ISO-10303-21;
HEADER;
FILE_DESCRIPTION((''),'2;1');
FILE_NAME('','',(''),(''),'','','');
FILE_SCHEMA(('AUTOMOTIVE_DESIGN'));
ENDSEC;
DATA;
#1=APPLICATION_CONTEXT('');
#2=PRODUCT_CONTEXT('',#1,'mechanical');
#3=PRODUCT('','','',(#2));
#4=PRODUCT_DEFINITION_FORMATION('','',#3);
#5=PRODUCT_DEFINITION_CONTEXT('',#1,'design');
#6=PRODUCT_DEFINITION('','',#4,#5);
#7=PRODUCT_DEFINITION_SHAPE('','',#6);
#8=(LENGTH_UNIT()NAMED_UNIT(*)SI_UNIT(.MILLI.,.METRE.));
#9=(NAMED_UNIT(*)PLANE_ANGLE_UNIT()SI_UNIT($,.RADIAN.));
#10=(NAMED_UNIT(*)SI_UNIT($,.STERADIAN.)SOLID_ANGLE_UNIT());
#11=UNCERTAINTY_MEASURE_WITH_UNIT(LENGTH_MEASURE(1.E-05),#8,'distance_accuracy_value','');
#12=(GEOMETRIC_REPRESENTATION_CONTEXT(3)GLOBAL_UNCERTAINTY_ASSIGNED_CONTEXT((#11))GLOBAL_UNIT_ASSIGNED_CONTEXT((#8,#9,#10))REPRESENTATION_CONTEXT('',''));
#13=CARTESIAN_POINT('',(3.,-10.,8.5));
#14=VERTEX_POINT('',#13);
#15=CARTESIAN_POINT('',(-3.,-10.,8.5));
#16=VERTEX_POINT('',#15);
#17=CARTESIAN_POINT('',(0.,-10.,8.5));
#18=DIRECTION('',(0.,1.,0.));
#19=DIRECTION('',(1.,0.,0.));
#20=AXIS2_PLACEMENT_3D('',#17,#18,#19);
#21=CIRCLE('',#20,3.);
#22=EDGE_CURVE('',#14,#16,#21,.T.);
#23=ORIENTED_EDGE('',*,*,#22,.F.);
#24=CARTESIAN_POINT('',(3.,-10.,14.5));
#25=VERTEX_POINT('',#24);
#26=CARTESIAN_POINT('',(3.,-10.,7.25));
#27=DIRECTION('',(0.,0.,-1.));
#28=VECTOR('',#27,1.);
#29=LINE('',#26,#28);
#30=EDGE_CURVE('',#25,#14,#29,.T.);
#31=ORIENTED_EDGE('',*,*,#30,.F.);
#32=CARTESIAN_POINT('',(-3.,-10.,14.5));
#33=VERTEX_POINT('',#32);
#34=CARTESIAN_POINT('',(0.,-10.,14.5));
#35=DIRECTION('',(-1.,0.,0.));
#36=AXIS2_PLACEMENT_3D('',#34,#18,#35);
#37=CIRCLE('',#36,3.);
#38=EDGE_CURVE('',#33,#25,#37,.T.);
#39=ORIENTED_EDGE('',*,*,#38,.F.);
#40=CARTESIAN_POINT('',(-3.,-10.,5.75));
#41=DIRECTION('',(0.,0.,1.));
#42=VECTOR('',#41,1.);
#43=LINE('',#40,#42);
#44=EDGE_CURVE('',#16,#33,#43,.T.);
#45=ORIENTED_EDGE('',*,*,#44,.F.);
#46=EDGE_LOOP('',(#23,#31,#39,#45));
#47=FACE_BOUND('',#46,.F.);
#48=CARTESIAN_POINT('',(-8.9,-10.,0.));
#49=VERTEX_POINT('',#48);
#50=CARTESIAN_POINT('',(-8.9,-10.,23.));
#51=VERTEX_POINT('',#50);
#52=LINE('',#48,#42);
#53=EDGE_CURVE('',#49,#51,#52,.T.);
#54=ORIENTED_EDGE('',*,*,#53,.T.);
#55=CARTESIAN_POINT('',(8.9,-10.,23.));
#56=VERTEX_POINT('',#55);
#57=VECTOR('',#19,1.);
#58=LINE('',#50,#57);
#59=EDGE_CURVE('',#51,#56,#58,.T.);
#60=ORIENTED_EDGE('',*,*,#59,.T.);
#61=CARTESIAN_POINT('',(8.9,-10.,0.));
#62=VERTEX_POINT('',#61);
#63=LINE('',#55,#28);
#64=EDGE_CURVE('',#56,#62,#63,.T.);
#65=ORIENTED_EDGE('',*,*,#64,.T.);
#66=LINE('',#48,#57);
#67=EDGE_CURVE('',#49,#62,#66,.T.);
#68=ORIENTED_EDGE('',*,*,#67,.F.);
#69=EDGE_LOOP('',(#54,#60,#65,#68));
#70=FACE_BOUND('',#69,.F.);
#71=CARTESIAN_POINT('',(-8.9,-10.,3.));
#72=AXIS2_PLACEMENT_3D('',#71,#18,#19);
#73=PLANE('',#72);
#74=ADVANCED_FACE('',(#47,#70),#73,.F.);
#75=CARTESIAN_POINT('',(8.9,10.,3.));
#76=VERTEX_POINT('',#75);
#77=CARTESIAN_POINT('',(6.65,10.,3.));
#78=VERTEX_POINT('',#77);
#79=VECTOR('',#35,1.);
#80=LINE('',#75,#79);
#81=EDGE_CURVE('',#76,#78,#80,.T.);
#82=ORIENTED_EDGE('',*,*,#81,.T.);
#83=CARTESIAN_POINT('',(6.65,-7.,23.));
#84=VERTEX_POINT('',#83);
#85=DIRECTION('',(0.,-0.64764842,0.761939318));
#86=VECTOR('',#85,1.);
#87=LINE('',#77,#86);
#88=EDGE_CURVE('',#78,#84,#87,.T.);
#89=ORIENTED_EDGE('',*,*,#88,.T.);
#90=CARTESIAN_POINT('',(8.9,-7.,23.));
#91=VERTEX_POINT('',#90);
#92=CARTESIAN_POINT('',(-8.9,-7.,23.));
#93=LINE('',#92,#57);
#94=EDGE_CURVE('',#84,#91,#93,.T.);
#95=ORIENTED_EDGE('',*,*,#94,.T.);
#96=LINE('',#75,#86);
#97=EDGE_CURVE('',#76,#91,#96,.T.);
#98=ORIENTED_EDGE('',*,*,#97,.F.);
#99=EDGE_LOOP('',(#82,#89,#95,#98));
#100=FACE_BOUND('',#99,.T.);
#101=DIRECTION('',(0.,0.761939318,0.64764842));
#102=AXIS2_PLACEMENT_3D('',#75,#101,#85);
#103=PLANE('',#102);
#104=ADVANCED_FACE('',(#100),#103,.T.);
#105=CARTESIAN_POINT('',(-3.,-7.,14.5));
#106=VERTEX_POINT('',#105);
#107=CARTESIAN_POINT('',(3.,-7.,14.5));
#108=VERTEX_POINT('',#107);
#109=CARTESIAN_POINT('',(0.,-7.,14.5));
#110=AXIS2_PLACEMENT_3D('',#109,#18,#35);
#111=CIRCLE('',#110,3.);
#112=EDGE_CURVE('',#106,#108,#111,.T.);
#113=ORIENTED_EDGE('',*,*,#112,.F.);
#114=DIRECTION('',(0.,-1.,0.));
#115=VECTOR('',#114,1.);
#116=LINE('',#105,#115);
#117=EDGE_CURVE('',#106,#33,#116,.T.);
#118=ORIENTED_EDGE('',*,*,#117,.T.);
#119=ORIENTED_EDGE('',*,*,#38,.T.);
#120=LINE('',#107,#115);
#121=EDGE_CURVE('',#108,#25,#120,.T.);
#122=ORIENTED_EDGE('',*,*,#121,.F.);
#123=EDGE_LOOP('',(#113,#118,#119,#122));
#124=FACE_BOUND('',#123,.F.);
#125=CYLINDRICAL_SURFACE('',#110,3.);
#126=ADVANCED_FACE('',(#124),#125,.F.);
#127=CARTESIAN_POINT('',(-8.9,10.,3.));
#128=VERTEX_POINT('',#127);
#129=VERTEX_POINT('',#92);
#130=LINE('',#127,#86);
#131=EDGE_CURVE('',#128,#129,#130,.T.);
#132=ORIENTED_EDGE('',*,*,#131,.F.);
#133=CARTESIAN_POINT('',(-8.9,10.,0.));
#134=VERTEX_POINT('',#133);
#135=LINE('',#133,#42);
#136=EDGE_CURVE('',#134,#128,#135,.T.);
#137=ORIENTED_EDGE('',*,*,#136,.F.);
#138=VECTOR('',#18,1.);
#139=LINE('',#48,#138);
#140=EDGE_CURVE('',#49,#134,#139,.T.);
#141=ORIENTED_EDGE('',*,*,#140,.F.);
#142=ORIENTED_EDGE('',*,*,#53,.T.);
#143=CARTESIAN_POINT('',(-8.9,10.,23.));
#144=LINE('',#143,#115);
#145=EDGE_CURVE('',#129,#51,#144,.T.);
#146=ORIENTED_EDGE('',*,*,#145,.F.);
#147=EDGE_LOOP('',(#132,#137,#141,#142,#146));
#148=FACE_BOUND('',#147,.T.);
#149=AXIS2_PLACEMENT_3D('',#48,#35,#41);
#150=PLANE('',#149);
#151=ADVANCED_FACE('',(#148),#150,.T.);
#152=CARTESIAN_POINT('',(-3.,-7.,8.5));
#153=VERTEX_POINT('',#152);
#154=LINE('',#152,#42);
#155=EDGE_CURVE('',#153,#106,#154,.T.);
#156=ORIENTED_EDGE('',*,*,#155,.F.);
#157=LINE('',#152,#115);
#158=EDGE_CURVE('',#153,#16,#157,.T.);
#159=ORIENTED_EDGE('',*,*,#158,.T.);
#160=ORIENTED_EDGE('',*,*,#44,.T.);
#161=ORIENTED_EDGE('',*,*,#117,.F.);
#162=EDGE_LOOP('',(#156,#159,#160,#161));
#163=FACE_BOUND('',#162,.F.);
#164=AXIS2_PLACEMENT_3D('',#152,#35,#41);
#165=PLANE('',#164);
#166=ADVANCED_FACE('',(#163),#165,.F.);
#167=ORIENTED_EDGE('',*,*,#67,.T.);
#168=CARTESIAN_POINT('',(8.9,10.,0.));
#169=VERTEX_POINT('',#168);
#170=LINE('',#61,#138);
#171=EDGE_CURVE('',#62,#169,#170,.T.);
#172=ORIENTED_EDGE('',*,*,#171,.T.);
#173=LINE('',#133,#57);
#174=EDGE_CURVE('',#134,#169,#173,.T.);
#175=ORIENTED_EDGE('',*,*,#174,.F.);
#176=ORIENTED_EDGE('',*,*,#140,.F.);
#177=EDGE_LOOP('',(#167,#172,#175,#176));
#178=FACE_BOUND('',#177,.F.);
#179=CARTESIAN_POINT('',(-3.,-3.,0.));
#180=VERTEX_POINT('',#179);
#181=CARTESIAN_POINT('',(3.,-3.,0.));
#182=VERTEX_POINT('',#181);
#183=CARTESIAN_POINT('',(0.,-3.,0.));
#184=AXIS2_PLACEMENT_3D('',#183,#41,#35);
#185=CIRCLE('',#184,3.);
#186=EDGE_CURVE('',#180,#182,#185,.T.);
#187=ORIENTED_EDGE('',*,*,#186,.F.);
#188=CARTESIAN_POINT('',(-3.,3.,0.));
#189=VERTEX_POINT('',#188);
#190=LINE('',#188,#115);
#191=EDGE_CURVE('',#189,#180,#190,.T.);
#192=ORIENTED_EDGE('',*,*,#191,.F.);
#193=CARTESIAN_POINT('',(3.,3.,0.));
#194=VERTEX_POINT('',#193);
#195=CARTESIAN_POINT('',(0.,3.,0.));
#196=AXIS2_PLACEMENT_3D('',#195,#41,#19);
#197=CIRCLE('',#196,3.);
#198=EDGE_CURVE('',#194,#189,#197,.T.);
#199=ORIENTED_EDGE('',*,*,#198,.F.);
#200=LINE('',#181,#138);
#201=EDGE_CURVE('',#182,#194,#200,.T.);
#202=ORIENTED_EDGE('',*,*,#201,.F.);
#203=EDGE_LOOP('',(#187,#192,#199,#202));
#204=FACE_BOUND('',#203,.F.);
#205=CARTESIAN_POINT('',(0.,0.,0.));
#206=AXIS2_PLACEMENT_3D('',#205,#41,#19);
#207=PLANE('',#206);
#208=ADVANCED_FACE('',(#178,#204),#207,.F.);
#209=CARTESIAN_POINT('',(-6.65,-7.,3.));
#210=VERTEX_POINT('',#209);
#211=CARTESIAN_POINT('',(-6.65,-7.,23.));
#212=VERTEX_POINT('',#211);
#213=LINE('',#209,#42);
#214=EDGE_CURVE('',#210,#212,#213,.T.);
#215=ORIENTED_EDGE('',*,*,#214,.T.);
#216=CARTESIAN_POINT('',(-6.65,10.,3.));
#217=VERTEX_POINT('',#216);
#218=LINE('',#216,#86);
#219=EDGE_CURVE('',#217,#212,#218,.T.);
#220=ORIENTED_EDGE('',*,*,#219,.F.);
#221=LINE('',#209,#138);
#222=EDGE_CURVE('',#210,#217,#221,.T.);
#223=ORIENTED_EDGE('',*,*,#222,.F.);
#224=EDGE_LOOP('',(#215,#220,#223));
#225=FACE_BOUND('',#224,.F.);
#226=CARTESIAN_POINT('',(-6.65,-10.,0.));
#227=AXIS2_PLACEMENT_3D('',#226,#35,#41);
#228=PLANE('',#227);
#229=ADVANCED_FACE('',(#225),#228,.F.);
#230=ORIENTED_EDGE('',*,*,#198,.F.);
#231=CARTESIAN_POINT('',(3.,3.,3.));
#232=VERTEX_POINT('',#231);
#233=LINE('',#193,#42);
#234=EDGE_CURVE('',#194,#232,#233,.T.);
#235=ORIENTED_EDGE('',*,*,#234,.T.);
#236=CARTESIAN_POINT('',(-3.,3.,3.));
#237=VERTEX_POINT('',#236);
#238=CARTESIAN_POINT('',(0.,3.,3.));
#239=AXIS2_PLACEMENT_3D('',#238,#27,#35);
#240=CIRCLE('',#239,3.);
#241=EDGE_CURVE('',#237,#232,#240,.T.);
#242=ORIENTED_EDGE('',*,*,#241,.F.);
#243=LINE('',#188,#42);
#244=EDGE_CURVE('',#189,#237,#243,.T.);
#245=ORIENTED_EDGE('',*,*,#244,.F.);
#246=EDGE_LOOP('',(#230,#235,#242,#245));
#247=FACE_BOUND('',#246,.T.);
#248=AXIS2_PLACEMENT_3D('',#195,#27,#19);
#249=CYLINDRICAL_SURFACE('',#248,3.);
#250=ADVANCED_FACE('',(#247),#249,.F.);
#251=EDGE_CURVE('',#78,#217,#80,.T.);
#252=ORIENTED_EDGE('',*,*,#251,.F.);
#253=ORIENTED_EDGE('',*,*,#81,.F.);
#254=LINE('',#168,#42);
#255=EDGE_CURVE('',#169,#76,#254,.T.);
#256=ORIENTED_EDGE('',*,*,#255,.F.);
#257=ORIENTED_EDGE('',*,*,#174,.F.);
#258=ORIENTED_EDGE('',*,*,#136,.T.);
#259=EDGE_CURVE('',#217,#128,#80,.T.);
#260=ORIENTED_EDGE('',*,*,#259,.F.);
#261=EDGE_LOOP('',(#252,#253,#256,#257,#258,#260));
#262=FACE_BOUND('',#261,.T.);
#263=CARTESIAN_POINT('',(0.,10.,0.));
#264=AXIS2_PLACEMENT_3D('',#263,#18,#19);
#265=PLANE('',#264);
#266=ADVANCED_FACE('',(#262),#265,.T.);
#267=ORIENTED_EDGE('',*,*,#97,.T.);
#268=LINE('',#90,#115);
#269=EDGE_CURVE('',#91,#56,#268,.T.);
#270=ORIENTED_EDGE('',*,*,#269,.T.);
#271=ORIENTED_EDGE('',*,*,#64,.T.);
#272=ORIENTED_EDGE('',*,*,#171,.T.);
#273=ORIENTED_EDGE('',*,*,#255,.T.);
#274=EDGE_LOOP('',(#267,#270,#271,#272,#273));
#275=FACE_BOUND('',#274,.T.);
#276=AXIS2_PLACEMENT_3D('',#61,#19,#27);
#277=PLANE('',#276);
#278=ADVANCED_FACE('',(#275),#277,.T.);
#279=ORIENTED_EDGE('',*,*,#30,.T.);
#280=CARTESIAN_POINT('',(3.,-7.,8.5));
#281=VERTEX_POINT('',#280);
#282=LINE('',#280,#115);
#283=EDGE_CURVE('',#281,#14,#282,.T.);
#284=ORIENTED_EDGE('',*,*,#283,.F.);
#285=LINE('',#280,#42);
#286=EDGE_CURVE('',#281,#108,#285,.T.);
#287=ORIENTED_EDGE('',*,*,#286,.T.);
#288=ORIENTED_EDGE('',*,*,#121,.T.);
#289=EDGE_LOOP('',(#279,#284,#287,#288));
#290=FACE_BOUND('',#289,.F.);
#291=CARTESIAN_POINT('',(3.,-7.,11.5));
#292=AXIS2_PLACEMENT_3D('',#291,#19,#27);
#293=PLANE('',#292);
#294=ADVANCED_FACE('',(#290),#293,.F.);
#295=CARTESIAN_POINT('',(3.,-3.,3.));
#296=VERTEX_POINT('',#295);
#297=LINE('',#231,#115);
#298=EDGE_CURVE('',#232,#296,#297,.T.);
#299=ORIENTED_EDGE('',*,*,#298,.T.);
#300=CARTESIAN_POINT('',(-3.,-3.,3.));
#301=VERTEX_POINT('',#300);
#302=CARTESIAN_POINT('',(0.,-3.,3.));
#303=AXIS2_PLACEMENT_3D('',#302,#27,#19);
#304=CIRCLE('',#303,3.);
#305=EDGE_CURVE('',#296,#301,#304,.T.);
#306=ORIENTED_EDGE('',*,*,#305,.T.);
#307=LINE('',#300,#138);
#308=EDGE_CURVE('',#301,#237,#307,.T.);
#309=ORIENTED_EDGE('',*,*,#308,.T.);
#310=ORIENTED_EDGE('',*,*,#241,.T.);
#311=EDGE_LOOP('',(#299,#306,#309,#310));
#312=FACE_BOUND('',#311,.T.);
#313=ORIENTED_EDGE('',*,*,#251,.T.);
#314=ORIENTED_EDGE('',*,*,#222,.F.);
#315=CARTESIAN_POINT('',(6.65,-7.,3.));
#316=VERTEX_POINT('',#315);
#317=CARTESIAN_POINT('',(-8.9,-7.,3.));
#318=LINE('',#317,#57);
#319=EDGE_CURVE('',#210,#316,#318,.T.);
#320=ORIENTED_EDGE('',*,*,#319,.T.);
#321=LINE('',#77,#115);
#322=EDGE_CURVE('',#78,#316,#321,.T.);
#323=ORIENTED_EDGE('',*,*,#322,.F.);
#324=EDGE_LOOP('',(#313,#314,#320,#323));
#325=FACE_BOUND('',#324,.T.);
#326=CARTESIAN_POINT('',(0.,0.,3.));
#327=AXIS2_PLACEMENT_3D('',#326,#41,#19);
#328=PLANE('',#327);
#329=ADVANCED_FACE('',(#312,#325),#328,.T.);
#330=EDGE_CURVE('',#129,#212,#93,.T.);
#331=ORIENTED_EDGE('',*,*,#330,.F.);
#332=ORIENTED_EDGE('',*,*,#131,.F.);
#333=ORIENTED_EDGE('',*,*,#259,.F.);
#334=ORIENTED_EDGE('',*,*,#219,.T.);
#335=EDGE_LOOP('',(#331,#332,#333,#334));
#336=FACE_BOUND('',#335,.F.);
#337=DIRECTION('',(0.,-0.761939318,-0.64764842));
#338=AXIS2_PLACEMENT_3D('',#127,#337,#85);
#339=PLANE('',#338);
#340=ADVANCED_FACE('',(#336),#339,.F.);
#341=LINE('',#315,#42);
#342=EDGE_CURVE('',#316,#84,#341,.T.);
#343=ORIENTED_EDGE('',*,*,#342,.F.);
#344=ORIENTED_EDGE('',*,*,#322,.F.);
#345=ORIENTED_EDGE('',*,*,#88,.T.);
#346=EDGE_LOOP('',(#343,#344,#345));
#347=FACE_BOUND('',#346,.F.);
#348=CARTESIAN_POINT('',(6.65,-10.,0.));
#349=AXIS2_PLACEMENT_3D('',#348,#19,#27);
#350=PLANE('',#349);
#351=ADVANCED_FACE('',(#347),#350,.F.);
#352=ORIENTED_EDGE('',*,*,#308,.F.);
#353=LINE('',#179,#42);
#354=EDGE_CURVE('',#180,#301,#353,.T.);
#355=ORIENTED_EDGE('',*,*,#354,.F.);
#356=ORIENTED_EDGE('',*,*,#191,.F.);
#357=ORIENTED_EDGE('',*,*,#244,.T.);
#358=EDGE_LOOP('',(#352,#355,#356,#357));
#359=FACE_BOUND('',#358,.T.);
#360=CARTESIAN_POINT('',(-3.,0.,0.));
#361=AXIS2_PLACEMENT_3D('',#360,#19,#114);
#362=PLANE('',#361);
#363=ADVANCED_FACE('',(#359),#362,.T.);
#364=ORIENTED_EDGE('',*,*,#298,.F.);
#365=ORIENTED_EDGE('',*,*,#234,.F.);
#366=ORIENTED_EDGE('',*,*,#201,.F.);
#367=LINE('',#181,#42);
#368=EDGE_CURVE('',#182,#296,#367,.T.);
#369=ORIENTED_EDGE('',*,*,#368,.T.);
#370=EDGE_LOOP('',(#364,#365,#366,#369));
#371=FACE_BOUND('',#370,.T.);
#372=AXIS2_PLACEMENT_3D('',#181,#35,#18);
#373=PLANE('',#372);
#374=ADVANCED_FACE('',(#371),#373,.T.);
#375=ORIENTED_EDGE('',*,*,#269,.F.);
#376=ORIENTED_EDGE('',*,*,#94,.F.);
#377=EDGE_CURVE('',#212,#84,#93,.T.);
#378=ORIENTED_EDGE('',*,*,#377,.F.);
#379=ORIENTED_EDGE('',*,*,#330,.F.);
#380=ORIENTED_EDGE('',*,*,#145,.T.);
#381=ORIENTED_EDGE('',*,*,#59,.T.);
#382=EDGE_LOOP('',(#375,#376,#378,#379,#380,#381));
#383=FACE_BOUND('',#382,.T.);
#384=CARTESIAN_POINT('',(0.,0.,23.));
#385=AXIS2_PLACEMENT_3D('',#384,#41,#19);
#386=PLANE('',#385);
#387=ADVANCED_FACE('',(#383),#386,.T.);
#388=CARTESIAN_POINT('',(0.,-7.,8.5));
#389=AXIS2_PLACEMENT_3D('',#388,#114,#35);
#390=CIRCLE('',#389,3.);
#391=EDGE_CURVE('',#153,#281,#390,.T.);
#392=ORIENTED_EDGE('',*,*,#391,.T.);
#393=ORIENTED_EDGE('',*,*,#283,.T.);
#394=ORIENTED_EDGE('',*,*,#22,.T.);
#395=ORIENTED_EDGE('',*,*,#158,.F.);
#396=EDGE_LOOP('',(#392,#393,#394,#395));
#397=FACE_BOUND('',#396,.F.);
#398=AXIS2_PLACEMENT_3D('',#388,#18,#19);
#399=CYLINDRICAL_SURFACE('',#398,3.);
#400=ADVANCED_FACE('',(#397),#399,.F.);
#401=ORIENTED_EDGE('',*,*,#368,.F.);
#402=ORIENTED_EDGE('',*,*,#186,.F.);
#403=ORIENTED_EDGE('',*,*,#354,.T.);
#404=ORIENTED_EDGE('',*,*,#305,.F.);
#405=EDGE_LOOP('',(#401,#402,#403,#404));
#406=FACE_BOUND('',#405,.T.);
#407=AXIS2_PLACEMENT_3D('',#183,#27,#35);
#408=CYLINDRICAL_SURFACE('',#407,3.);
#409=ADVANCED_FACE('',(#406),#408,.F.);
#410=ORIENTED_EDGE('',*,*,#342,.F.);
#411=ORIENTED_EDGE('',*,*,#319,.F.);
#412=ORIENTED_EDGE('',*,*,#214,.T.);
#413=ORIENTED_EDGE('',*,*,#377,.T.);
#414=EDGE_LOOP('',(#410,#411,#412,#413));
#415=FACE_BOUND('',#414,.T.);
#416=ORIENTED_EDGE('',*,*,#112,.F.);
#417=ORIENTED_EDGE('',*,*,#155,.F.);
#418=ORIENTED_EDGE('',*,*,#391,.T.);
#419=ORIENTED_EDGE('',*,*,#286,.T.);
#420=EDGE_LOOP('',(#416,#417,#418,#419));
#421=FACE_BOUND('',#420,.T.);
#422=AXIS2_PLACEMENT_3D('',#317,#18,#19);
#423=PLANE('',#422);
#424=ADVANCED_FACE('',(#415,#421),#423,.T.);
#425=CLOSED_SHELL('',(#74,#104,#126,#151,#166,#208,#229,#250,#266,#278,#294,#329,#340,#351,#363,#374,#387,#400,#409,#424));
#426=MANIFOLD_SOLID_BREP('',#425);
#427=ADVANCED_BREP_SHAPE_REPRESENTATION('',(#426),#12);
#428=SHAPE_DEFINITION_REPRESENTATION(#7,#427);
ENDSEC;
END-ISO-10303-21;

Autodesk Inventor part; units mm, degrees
ref_plane "YZ Plane" through (0, 0, 0) normal (1, 0, 0) x (0, 1, 0)
ref_plane "XZ Plane" through (0, 0, 0) normal (0, 1, 0) x (-1, 0, 0)
ref_plane "XY Plane" through (0, 0, 0) normal (0, 0, 1) x (1, 0, 0)
sketch "Boceto1" plane through (0, 0, 0) normal (0, 0, 1) x (1, 0, 0)
  line L0 (8.9, -10) -> (-8.9, -10)
  line L1 (-8.9, -10) -> (-8.9, 10)
  line L2 (-8.9, 10) -> (8.9, 10)
  line L3 (8.9, 10) -> (8.9, -10)
  line L4 (8.9, -10) -> (-8.9, 10) construction
  line L5 (-8.9, -10) -> (8.9, 10) construction
  line L6 (0, 10) -> (0, -10)
  line L7 (8.9, 0) -> (-8.9, 0)
  line L8 (0, -3) -> (0, 3) construction
  line L9 (3, -3) -> (3, 3)
  line L10 (-3, 3) -> (-3, -3)
  arc A0 (-3, -3) -> (3, -3) centre (0, -3) ccw
  arc A1 (3, 3) -> (-3, 3) centre (0, 3) ccw
  point P0 (0, 0)
  dimension "d0" = 17.8
  dimension "d1" = 20
  dimension "d2" = 6
  dimension "d3" = 6
extrude "Extrusión1" add sketch "Boceto1" along normal blind 3 contours L0 L6 A0 L9 L7 L3 | L0 L1 L7 L10 A0 L6 | L7 L9 A1 L6 L2 L3 | L1 L2 L6 A1 L10 L7
sketch "Boceto2" plane through (0, 0, 3) normal (0, 0, 1) x (1, 0, 0)
  line L0 (-8.9, 10) -> (-8.9, -10) projected
  line L1 (-8.9, -10) -> (8.9, -10) projected
  line L2 (-8.9, -7) -> (8.9, -7)
  line L3 (8.9, -7) -> (8.9, -10)
  line L4 (8.9, -10) -> (-8.9, -10)
  line L5 (-8.9, -10) -> (-8.9, -7)
  point P0 (0, 0)
  dimension "d6" = 3
extrude "Extrusión2" add sketch "Boceto2" along normal blind 20
sketch "Boceto3" plane through (8.9, -10, 0) normal (1, 0, 0) x (0, 0, -1)
  line L0 (-3, 20) -> (-3, 3) projected
  line L1 (-3, 3) -> (-23, 3) projected
  line L2 (-3, 20) -> (-23, 3)
  line L3 (-23, 3) -> (-3, 3)
  line L4 (-3, 3) -> (-3, 20)
  point P0 (0, 10)
extrude "Extrusión3" add sketch "Boceto3" against normal blind 2.25
sketch "Boceto4" plane through (-8.9, -10, 0) normal (-1, 0, 0) x (0, 0, 1)
  line L0 (3, 20) -> (23, 3) projected
  line L1 (3, 20) -> (23, 3)
  line L2 (3, 3) -> (23, 3) projected
  line L3 (23, 3) -> (3, 3)
  line L4 (3, 3) -> (3, 20)
  point P0 (0, 10)
extrude "Extrusión4" add sketch "Boceto4" against normal blind 2.25
sketch "Boceto5" plane through (6.65, -7, 23) normal (0, 1, 0) x (1, 0, 0)
  line L0 (-6.65, 23) -> (-6.65, 0)
  line L1 (-15.55, 0) -> (2.25, 0) projected
  line L2 (2.25, 20) -> (2.25, 0) projected
  line L3 (-15.55, 23) -> (-15.55, 0) projected
  line L4 (2.25, 11.5) -> (-15.55, 11.5)
  line L5 (2.25, 23) -> (-15.55, 23) projected
  line L6 (-6.65, 14.5) -> (-6.65, 8.5) construction
  line L7 (-9.65, 14.5) -> (-9.65, 8.5)
  line L8 (-3.65, 8.5) -> (-3.65, 14.5)
  arc A0 (-3.65, 14.5) -> (-9.65, 14.5) centre (-6.65, 14.5) ccw
  arc A1 (-9.65, 8.5) -> (-3.65, 8.5) centre (-6.65, 8.5) ccw
  point P0 (-6.65, 11.5)
  dimension "d13" = 23
  dimension "d14" = 11.5
  dimension "d15" = 6
  dimension "d16" = 6
extrude "Extrusión5" cut sketch "Boceto5" against normal through all contours A0 L8 L4 L0 | L0 L4 L7 A0 | L4 L8 A1 L0 | L0 A1 L7 L4
properties part number "Cast corner bracket-20x20x17" material "Aluminio 6061, soldado"
